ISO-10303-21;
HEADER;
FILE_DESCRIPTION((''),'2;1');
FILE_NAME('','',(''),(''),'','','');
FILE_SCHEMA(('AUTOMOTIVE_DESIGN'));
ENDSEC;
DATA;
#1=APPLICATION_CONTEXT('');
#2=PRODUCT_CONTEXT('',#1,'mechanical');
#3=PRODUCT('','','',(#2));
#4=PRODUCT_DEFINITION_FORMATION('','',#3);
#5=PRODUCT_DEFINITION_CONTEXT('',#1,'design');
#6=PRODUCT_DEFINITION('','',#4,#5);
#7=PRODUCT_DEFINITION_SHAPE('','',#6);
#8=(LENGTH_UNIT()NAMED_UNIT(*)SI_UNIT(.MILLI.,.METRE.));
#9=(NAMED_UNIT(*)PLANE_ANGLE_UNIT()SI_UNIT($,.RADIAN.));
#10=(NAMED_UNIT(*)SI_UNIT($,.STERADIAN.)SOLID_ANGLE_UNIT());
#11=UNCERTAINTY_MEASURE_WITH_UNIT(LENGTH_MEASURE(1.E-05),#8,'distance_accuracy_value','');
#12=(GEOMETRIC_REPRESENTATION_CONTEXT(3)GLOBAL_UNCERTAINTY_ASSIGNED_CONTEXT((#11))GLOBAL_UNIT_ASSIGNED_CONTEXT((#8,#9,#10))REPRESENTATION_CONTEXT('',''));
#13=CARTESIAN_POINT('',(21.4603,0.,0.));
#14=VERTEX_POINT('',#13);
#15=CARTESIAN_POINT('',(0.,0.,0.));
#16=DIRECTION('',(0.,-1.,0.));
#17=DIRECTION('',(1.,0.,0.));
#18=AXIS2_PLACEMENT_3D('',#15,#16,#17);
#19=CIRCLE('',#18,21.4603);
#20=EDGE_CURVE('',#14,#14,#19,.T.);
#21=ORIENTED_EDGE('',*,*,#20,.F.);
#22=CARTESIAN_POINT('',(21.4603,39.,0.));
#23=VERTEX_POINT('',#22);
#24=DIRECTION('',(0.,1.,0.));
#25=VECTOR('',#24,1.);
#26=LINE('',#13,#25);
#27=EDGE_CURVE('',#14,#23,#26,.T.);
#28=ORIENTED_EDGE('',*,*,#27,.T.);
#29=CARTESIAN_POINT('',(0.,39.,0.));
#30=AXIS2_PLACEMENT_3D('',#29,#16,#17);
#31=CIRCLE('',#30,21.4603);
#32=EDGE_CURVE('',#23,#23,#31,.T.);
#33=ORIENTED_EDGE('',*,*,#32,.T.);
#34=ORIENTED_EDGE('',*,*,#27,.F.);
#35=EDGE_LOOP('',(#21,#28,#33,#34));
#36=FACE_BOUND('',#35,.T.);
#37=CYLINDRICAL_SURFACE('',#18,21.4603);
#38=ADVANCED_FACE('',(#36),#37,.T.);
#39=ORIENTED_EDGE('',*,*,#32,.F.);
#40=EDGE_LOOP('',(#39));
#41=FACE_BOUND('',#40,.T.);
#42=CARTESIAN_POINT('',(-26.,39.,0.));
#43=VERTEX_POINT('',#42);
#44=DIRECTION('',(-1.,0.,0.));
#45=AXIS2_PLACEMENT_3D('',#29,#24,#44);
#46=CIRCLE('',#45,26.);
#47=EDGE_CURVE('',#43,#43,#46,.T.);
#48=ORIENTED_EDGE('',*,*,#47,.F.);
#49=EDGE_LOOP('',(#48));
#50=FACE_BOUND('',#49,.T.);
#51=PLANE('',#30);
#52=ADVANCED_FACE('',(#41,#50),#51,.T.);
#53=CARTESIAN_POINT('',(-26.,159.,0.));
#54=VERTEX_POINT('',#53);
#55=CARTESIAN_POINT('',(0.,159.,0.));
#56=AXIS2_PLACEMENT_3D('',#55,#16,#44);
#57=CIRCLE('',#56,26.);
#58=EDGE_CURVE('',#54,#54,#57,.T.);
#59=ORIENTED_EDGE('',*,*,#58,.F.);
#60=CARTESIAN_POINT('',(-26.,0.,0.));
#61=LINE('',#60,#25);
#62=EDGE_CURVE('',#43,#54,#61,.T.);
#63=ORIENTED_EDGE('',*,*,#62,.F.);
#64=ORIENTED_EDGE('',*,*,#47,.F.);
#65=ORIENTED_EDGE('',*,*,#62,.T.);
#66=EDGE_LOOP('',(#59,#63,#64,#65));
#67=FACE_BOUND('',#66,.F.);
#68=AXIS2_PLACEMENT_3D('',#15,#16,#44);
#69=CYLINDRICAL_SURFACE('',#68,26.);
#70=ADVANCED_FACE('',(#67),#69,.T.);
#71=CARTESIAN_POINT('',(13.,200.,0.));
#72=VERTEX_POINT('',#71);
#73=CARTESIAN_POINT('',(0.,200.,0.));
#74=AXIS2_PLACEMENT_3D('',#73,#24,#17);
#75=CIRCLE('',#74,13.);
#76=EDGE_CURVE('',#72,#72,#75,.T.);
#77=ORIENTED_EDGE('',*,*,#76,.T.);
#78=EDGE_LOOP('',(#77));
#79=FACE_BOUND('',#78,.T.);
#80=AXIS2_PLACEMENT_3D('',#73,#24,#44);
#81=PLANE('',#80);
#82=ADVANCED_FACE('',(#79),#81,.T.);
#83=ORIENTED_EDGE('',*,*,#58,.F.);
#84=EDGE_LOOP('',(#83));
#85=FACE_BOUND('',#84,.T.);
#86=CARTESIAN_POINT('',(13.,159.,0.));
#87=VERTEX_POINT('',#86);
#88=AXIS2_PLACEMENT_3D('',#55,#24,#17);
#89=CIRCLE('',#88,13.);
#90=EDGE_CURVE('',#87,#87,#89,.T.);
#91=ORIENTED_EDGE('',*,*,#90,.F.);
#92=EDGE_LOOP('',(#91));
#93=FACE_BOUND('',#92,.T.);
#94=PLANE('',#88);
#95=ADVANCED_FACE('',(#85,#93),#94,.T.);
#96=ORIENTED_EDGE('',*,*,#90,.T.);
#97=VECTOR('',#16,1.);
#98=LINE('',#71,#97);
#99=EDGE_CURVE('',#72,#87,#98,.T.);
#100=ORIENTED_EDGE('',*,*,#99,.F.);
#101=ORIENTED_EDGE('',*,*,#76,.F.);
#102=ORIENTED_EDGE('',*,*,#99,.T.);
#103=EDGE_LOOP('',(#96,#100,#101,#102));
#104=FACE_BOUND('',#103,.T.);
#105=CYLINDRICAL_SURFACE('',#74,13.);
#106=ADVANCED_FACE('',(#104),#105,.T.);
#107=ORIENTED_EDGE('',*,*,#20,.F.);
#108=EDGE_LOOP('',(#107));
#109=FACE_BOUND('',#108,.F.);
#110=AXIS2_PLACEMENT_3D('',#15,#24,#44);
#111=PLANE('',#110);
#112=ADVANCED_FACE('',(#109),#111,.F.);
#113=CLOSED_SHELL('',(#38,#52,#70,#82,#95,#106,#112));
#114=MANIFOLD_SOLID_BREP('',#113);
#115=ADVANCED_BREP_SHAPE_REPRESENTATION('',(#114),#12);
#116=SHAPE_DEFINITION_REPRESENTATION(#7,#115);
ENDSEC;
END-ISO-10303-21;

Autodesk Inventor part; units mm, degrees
ref_plane "YZ Plane" through (0, 0, 0) normal (1, 0, 0) x (0, 1, 0)
ref_plane "XZ Plane" through (0, 0, 0) normal (0, 1, 0) x (-1, 0, 0)
ref_plane "XY Plane" through (0, 0, 0) normal (0, 0, 1) x (1, 0, 0)
sketch "Sketch1" plane through (0, 0, 0) normal (0, 1, 0) x (-1, 0, 0)
  circle A0 centre (0, 0) radius 26
  dimension "d0" = 52
extrude "Extrusion1" add sketch "Sketch1" along normal blind 200
sketch "Sketch2" plane through (0, 200, 0) normal (0, 1, 0) x (1, 0, 0)
  circle A0 centre (0, 0) radius 26 projected
  circle A1 centre (0, 0) radius 13
  dimension "d3" = 26
extrude "Extrusion2" cut sketch "Sketch2" against normal blind 41
sketch "Sketch3" plane through (0, 0, 0) normal (0, -1, 0) x (1, 0, 0)
  circle A0 centre (0, 0) radius 13 projected
  circle A1 centre (0, 0) radius 21.4603
  circle A2 centre (0, 0) radius 26 projected
extrude "Extrusion3" cut sketch "Sketch3" against normal blind 39 contours A2
properties part number "spindleStandin"
